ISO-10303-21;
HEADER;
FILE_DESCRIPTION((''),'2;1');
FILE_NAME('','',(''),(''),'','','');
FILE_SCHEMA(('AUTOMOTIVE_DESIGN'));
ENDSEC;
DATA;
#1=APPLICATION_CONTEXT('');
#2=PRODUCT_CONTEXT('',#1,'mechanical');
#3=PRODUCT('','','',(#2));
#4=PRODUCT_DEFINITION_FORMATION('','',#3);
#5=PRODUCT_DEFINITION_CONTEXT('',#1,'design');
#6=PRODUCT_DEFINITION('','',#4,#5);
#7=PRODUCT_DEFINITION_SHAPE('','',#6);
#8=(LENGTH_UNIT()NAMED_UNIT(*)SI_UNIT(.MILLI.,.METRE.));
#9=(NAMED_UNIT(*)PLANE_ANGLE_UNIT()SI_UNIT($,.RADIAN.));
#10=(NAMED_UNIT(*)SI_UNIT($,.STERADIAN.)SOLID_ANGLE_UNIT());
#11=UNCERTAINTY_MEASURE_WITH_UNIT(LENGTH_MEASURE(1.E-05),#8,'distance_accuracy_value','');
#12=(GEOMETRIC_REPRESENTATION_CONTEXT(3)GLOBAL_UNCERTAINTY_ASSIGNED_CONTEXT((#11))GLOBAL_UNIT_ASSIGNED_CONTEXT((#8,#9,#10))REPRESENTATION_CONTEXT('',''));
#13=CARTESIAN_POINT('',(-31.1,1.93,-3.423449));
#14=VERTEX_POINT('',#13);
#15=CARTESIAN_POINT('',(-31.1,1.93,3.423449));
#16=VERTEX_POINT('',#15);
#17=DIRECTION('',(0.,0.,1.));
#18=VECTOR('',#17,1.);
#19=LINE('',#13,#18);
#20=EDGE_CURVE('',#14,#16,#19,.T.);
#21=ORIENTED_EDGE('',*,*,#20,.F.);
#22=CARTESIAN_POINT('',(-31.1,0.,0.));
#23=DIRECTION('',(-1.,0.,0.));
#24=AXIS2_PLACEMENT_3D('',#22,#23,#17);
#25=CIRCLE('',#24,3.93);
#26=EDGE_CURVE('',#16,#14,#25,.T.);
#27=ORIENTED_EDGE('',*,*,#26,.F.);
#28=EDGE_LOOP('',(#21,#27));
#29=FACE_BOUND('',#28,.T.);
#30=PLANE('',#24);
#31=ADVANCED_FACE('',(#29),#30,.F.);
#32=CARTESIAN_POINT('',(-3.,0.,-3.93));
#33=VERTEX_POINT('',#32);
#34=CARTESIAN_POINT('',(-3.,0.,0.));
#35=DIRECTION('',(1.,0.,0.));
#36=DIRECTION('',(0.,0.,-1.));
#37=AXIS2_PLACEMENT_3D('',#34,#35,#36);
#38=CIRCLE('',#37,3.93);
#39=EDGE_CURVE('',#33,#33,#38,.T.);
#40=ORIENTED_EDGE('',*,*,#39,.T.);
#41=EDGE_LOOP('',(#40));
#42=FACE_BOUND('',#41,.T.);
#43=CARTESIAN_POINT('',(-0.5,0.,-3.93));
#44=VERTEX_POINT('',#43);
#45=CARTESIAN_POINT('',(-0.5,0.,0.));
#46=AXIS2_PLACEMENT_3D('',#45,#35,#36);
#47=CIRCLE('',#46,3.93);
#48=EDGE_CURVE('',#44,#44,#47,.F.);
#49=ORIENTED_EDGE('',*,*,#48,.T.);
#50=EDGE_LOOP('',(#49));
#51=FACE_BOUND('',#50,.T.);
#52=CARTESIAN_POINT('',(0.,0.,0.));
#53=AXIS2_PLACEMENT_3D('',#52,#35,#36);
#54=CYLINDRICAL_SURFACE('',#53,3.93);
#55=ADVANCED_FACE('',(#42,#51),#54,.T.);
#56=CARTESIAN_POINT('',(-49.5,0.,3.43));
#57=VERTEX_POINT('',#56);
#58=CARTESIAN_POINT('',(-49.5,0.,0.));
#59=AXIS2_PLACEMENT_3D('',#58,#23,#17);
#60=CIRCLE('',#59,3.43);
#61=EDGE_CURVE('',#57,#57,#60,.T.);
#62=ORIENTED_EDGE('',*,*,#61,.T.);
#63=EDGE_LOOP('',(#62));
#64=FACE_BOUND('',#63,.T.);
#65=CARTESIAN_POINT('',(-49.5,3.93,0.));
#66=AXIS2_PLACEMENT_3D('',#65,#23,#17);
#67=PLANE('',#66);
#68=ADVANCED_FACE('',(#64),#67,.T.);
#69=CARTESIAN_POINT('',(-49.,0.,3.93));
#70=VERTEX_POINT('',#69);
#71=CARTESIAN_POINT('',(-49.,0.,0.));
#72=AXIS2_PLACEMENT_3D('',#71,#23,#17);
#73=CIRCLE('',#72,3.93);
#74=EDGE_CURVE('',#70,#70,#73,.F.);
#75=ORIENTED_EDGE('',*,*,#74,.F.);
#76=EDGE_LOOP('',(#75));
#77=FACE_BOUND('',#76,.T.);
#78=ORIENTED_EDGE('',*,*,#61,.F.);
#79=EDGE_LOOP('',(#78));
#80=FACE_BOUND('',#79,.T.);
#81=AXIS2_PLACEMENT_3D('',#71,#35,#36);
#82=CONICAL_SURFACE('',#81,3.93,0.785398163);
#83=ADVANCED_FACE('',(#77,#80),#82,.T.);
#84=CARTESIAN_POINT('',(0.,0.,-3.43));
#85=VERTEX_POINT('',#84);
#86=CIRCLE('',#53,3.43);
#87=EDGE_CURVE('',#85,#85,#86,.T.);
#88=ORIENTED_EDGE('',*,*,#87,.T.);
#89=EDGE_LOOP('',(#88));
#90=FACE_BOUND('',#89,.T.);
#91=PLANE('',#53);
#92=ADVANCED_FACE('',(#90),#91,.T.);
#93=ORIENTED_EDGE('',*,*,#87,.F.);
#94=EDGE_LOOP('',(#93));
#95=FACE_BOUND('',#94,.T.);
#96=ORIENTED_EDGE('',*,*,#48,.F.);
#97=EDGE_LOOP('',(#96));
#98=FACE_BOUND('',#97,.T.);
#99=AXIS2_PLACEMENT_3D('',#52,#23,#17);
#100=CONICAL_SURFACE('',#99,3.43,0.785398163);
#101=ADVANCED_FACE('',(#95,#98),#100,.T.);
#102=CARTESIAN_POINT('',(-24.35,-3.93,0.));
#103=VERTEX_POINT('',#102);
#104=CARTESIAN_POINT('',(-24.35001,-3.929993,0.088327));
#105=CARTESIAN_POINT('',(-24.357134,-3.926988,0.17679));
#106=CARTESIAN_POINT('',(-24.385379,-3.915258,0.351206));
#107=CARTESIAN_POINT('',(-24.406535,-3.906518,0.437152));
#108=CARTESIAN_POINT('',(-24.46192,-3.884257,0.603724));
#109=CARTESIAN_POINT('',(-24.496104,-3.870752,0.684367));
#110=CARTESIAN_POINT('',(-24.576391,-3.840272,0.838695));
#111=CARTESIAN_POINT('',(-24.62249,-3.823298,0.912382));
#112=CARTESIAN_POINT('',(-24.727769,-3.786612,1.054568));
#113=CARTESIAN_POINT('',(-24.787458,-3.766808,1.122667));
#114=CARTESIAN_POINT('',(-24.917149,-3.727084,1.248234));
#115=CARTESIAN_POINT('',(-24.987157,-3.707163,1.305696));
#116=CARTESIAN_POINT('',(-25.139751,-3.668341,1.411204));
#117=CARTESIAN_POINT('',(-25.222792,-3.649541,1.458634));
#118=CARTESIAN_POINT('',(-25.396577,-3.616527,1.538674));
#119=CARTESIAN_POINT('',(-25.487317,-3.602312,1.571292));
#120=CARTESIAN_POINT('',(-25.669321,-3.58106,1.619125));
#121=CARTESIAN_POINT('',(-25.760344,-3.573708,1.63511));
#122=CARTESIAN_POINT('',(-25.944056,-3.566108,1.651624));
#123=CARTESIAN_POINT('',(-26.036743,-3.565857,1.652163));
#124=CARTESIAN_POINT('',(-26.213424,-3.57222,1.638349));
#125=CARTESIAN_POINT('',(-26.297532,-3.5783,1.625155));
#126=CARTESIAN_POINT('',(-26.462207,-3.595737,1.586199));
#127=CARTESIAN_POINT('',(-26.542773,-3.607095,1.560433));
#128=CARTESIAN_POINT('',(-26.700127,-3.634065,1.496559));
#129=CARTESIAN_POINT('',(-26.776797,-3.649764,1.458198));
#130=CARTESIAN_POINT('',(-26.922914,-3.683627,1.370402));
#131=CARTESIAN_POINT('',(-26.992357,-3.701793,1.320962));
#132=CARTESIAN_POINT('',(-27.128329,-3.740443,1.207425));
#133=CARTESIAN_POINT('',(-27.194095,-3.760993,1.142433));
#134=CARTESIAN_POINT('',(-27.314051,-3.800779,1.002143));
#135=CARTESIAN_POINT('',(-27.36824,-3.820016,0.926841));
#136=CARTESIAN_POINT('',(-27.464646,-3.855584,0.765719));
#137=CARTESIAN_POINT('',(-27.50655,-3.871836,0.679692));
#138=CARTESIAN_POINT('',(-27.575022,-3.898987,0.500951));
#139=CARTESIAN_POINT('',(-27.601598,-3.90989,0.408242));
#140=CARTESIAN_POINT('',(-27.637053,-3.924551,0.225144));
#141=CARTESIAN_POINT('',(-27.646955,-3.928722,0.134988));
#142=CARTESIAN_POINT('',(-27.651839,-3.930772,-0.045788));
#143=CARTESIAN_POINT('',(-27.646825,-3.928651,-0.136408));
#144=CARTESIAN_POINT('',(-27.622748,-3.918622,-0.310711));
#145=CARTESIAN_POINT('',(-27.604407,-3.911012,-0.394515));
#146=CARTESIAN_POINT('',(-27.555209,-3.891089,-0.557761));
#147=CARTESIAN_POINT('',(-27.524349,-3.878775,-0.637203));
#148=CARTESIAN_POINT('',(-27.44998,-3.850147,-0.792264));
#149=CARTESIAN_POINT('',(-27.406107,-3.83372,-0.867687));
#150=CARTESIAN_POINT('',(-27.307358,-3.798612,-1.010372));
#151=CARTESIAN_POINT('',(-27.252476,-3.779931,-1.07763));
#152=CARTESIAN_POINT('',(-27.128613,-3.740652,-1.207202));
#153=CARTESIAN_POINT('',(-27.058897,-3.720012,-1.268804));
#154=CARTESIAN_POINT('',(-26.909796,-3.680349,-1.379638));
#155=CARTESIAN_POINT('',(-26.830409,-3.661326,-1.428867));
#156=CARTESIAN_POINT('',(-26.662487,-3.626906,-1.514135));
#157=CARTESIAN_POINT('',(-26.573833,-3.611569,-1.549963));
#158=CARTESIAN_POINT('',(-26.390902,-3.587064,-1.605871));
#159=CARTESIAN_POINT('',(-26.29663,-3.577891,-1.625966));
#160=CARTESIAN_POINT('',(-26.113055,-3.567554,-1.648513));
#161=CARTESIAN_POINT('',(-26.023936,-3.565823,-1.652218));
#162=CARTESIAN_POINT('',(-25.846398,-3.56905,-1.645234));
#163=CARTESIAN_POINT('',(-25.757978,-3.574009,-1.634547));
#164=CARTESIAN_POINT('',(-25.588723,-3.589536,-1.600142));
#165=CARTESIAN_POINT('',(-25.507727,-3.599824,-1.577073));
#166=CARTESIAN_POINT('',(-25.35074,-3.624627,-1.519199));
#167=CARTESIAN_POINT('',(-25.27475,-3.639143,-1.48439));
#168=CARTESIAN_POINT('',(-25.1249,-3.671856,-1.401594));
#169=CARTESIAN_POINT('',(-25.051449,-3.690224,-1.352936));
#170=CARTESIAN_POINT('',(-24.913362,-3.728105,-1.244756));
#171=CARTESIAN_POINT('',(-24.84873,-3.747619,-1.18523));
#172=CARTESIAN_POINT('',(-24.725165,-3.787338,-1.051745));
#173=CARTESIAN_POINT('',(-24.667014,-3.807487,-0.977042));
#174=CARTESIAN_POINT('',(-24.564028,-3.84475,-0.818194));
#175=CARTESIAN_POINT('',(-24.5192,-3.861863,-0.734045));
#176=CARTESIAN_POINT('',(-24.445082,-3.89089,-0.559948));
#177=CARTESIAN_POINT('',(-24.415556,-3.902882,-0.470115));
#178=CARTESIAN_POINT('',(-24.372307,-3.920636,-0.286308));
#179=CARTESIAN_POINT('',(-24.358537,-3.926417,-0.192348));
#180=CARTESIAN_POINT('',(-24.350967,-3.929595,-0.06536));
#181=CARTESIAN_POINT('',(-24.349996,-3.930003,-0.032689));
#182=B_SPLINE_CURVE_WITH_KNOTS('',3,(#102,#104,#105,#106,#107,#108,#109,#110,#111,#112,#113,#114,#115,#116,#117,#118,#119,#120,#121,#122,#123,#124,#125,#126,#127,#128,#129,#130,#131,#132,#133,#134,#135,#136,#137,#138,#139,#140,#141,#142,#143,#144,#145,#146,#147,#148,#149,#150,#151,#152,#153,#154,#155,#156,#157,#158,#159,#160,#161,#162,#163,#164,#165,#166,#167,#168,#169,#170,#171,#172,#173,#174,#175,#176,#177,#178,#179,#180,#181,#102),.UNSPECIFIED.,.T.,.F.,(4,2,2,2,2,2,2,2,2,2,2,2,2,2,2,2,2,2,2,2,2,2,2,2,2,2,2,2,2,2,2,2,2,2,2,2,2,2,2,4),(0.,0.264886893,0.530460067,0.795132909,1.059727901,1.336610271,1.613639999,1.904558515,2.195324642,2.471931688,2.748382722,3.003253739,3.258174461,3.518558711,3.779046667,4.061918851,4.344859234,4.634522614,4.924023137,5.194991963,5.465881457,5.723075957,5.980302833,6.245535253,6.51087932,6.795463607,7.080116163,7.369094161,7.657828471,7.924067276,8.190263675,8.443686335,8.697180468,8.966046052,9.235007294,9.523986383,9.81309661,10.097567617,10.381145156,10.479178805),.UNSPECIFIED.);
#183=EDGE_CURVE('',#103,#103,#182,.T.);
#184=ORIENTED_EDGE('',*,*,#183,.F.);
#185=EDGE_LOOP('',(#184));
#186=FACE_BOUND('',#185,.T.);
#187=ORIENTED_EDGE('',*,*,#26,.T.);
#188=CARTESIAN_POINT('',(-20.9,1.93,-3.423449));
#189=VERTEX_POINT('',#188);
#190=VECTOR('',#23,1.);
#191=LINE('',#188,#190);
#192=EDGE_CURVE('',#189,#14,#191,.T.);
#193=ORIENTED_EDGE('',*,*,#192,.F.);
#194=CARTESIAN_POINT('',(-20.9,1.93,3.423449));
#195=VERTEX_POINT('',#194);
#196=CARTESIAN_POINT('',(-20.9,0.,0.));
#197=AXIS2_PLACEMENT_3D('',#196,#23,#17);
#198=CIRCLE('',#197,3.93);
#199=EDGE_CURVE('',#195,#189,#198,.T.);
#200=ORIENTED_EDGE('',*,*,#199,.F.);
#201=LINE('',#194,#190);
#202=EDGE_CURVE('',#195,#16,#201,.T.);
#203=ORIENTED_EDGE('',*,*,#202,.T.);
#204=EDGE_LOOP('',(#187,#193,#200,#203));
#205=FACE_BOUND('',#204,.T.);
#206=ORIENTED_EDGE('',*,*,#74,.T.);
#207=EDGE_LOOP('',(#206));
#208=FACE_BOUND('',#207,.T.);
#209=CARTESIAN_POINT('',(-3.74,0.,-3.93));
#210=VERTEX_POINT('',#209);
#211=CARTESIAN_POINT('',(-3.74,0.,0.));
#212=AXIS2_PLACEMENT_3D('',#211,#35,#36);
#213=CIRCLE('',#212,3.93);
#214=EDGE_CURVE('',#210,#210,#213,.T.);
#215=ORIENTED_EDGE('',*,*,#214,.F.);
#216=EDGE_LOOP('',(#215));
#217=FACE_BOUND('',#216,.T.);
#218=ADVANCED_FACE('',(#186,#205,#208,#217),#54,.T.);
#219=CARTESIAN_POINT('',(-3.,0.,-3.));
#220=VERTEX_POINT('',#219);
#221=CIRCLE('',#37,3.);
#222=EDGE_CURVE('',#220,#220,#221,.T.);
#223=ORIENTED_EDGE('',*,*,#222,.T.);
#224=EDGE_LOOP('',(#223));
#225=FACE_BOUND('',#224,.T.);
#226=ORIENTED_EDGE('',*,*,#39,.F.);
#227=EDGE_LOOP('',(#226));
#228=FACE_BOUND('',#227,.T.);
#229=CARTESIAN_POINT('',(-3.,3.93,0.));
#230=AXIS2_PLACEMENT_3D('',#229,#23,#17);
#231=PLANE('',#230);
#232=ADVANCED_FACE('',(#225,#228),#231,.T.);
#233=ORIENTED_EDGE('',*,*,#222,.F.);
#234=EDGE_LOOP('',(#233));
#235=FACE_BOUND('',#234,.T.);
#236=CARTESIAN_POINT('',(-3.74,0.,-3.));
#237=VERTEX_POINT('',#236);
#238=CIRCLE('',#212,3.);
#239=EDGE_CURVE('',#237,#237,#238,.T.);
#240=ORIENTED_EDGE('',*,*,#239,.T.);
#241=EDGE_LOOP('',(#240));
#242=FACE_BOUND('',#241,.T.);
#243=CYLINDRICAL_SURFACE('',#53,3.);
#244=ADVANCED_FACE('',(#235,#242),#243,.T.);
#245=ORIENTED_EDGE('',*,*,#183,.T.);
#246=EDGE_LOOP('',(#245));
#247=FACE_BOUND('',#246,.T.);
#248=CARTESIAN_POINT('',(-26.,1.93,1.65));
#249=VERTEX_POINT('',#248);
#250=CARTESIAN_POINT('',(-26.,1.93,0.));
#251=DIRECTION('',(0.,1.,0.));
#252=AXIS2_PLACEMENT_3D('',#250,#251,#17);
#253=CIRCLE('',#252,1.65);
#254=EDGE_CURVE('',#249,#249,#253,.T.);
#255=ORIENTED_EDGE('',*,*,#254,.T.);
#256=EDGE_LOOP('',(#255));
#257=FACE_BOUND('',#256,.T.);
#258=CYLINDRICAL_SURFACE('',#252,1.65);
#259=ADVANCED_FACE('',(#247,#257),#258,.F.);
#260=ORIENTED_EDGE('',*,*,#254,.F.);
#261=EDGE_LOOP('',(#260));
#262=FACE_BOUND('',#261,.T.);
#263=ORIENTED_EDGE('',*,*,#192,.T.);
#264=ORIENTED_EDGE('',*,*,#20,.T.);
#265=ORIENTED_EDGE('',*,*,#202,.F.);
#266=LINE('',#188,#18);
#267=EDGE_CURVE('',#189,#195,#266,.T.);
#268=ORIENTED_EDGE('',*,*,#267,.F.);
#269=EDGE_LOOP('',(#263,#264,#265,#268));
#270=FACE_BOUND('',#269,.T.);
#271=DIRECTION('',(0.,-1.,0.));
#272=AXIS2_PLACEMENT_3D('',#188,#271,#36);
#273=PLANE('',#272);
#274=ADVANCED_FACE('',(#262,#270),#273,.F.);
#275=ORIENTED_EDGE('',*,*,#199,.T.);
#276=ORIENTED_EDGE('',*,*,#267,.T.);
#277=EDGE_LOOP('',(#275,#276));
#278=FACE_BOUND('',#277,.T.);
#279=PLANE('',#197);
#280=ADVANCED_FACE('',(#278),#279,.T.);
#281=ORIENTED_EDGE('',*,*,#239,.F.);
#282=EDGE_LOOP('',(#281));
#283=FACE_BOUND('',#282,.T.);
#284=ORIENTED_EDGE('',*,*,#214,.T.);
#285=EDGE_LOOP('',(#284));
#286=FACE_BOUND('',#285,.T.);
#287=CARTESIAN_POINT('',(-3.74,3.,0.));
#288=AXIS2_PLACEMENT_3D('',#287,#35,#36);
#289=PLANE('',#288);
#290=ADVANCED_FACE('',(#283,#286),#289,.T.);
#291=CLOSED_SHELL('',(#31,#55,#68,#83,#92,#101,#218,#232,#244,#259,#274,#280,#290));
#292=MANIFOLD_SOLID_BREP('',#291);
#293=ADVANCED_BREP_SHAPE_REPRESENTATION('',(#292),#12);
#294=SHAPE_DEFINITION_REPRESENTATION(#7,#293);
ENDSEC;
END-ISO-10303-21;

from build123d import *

# Parameters (mm, degrees)
CHAFL_N1_SIZE             = 0.5
CORTAR_EXTRUIR1_DEPTH     = 10.2
TALADRO_ROSCADO_M4X0_71_D = 3.3


with BuildPart() as part:
    # Croquis1 → Revolución1 (revolve)
    with BuildSketch(Plane(origin=(0, 0, 0), x_dir=(0, 1, 0), z_dir=(0, 0, 1)), mode=Mode.PRIVATE) as revoluci_n1_sk:
        Polygon((0, 0), (3.93, 0), (3.93, 3), (3, 3), (3, 3.74), (3.93, 3.74), (3.93, 49.5), (0, 49.5), align=None)
    revolve(revoluci_n1_sk.sketch.rotate(Axis((0, 0, 0), (-1, 0, 0)), 90), axis=Axis((0, 0, 0), (-1, 0, 0)))

    # Chaflán1
    chafl_n1_edges = [part.edges().sort_by_distance(p)[0] for p in [
        (-49.5, 0, 3.93),
        (0, 0, 3.93),
    ]]
    chamfer(chafl_n1_edges, length=CHAFL_N1_SIZE)

    # Croquis2 → Cortar-Extruir1 (cut)
    with BuildSketch(Plane.ZY.offset(31.1)):
        with BuildLine():
            Line((-3.423448554, 1.93), (3.423448554, 1.93))
            ThreePointArc((3.423448554, 1.93), (0, 3.93), (-3.423448554, 1.93))
        make_face()
    extrude(amount=-CORTAR_EXTRUIR1_DEPTH, mode=Mode.SUBTRACT)

    # Taladro roscado M4x0.71 (through all)
    with Locations(Plane(origin=(0, 1.93, 0), x_dir=(-1, 0, 0), z_dir=(0, 1, 0))):
        with Locations((26, 0)):
            Hole(TALADRO_ROSCADO_M4X0_71_D / 2)


solid = part.part
